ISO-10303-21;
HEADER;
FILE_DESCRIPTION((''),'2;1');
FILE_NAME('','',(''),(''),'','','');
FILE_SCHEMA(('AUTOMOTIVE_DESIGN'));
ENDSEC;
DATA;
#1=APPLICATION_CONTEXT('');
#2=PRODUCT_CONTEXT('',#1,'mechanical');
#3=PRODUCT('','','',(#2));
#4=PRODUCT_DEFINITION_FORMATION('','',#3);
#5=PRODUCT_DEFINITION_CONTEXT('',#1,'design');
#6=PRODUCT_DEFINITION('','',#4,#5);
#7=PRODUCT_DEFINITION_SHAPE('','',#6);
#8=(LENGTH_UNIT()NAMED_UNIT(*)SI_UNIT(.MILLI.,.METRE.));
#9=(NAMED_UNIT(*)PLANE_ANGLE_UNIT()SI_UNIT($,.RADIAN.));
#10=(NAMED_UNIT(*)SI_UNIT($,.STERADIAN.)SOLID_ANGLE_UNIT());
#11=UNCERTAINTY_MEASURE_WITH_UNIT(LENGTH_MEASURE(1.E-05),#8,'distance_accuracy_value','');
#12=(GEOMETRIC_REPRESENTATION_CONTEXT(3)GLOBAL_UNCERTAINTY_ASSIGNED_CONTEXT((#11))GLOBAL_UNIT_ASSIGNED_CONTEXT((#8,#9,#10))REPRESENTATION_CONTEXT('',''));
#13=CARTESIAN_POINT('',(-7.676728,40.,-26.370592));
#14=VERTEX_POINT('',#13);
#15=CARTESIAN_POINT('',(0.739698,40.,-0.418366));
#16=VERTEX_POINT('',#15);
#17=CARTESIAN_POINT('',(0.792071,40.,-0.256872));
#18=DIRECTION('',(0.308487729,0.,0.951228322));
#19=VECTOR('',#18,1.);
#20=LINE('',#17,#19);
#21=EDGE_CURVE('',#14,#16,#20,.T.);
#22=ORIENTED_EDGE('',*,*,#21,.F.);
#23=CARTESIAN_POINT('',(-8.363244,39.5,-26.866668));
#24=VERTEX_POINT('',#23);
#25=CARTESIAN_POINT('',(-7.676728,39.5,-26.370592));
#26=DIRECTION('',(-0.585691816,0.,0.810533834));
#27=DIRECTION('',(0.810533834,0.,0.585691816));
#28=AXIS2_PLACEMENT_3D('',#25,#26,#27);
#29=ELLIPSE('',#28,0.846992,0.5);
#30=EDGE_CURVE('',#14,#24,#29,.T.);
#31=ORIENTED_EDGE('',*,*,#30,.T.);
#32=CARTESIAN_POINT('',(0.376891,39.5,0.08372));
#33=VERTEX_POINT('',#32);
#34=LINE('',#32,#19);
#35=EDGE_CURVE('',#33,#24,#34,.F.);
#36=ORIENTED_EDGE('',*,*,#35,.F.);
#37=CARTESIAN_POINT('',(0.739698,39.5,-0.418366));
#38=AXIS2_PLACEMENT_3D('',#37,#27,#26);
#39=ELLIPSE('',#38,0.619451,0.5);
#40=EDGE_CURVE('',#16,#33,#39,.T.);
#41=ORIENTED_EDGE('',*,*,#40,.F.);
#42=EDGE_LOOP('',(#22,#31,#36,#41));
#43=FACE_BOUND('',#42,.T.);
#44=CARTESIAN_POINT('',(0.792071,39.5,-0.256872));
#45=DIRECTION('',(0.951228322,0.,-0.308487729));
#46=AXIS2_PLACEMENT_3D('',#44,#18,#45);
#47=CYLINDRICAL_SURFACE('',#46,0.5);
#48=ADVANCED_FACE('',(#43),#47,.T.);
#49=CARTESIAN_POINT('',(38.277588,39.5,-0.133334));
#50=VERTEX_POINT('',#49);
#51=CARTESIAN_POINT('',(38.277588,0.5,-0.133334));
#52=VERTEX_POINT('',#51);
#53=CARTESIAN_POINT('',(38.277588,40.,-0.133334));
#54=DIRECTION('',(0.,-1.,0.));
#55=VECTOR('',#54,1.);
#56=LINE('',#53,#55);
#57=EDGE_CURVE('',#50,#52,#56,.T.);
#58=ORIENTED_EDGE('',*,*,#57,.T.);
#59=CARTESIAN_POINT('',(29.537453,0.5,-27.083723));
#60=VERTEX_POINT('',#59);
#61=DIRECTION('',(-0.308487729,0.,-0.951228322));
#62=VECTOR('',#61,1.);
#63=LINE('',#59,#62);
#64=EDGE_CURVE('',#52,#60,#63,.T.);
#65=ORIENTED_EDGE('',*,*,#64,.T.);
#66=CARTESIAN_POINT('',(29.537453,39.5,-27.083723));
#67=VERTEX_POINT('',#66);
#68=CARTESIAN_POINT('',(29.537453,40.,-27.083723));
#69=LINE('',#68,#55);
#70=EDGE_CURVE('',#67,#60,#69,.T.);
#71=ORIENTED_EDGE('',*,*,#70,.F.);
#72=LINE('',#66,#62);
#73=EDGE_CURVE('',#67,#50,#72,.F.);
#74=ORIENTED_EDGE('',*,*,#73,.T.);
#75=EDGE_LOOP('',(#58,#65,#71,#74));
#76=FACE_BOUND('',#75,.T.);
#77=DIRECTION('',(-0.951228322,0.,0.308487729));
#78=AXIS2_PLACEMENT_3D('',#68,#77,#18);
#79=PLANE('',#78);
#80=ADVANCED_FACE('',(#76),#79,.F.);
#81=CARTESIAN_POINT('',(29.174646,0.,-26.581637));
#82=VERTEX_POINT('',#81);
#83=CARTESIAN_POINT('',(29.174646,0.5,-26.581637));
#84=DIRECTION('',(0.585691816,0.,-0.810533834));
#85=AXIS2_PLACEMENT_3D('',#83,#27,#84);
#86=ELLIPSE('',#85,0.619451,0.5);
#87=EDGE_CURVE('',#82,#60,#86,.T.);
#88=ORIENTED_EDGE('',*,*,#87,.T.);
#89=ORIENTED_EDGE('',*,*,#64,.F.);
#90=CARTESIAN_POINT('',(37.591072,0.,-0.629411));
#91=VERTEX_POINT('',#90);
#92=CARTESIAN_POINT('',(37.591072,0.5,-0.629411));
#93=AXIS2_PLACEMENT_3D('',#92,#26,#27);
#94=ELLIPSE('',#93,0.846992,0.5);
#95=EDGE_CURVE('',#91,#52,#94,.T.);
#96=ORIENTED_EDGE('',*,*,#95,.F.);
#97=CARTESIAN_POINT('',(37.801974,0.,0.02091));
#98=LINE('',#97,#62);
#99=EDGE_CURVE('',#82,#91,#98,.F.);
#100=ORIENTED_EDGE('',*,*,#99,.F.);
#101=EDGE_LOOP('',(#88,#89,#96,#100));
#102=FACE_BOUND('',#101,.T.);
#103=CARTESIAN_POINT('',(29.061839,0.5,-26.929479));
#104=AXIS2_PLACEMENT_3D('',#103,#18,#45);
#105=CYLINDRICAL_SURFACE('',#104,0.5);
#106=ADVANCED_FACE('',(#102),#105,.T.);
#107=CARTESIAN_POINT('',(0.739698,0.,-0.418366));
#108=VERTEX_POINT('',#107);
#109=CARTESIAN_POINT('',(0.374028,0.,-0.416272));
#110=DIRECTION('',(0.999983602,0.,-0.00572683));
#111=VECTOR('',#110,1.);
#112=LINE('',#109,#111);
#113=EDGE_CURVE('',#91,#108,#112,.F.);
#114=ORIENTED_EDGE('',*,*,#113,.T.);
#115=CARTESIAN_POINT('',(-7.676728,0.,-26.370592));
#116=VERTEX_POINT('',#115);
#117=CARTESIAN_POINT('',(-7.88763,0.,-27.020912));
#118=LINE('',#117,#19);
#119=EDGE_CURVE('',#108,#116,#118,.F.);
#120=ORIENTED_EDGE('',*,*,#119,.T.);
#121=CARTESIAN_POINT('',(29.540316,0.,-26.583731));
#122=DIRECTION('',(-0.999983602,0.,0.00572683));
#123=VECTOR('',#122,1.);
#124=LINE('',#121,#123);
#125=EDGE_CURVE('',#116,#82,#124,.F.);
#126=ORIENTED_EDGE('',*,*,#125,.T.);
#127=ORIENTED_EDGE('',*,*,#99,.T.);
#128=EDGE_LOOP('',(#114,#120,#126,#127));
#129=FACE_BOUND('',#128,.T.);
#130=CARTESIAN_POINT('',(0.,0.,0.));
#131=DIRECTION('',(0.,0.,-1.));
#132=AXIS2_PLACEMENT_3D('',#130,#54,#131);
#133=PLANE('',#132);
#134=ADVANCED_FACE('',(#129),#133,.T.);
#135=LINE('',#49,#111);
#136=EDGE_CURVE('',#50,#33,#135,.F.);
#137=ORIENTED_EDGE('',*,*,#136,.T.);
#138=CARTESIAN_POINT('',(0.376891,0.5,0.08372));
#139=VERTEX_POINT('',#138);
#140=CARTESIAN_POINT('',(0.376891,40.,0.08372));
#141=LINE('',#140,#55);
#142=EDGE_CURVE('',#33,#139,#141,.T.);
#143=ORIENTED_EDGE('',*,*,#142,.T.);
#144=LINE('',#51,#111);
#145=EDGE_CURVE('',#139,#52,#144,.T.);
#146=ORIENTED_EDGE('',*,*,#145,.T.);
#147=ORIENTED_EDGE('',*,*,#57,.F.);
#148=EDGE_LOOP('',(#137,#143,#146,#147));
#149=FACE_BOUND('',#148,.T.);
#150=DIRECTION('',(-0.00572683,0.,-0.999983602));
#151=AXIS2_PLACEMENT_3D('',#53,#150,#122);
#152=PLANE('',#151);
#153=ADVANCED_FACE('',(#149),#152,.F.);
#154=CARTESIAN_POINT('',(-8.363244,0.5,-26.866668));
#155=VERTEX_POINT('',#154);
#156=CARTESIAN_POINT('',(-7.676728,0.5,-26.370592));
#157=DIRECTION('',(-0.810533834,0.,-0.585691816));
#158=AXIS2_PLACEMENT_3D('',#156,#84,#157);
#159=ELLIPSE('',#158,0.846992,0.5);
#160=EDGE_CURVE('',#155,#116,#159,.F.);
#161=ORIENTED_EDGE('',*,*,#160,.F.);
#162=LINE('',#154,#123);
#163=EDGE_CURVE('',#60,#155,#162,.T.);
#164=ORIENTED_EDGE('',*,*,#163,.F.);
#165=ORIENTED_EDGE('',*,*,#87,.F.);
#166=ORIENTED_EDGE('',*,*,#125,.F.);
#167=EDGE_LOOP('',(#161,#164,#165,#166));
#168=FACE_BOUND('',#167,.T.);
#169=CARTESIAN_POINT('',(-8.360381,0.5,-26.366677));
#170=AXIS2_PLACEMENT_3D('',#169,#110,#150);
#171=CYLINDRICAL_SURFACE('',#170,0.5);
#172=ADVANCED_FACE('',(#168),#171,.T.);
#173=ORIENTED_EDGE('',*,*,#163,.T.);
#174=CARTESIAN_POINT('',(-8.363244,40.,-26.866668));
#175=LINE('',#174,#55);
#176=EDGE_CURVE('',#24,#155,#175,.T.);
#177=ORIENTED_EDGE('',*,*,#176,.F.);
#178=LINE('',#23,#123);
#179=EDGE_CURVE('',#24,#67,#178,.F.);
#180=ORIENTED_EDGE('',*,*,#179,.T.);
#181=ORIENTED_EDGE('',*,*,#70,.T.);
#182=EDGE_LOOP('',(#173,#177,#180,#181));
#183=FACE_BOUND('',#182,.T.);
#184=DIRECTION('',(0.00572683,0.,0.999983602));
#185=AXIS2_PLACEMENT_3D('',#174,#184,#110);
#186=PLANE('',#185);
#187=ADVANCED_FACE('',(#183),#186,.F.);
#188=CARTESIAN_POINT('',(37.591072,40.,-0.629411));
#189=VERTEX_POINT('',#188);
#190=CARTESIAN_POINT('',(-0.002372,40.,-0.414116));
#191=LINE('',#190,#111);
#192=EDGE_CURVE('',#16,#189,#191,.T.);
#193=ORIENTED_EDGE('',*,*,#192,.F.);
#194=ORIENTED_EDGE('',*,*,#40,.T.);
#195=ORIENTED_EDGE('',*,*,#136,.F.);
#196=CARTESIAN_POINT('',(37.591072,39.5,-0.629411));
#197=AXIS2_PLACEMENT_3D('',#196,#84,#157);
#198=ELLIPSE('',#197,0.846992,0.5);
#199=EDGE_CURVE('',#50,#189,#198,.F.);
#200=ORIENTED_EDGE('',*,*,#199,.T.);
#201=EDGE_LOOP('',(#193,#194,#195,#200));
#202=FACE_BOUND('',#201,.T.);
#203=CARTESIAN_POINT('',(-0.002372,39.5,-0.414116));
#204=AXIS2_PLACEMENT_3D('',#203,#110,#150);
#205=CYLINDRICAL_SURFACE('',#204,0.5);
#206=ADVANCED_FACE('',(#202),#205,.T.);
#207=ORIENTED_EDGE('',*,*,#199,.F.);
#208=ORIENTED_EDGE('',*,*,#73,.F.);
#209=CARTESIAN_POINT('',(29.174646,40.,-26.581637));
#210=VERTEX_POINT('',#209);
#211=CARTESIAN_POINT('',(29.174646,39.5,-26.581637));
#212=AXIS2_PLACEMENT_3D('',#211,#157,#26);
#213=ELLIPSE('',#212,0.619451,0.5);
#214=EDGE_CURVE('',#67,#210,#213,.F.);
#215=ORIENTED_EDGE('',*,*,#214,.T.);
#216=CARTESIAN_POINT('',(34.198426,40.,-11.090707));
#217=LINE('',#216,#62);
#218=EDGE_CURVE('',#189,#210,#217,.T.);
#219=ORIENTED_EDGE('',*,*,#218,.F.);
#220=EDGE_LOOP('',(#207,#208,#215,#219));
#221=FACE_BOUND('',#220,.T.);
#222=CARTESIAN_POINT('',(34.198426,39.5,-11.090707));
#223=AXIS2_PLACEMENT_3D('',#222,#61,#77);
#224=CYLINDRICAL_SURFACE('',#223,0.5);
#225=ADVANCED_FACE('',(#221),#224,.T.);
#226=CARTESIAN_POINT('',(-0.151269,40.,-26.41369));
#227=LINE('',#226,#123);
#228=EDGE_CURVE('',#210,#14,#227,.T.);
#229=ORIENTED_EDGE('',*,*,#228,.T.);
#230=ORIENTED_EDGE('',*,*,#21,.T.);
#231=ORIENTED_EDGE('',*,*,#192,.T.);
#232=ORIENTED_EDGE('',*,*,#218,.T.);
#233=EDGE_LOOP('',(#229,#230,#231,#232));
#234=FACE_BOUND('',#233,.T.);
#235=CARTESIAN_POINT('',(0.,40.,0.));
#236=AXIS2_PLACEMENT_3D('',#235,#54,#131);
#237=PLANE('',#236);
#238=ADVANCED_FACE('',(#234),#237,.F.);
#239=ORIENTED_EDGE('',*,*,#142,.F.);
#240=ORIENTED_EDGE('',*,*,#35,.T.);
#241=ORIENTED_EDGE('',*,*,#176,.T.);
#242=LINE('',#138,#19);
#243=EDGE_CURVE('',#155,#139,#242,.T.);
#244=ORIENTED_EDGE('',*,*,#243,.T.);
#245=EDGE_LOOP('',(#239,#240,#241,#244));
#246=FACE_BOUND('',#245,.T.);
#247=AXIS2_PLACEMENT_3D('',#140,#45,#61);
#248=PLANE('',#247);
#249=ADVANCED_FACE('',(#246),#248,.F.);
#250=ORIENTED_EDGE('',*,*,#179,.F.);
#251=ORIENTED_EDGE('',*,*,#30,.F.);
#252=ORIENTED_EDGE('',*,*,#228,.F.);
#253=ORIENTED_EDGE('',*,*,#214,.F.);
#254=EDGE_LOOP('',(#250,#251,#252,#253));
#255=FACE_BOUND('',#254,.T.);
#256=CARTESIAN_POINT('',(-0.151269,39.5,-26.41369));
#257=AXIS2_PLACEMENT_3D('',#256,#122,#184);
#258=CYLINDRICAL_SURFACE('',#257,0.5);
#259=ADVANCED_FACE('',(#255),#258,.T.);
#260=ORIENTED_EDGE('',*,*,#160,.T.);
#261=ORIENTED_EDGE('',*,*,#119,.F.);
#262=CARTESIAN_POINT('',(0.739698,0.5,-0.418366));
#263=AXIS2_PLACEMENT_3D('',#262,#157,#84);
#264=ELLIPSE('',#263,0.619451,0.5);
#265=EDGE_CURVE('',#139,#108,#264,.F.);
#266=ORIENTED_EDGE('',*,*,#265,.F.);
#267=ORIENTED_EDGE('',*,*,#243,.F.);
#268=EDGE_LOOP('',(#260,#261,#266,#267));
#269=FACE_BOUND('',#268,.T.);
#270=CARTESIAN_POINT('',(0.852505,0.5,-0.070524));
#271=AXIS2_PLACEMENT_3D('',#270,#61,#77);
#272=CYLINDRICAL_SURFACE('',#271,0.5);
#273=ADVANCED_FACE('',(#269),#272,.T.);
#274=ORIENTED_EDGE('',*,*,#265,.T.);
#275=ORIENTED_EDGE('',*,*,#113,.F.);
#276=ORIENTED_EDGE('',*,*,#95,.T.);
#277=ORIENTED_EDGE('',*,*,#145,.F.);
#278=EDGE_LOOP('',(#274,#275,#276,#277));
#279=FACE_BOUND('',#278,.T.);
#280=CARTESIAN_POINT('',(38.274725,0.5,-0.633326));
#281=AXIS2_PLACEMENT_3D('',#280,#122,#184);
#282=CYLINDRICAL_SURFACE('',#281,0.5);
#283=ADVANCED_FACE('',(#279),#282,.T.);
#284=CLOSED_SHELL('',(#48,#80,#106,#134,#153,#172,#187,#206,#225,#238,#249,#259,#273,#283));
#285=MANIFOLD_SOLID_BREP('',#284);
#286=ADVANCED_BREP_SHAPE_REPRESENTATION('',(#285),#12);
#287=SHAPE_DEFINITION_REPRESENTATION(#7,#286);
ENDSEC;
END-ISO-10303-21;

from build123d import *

# Parameters (mm, degrees)
BOSS_EXTRUDE1_DEPTH = 40
FILLET1_R           = 0.5


with BuildPart() as part:
    # Sketch1 → Boss-Extrude1 (new body)
    with BuildSketch(Plane(origin=(0, 0, 0), x_dir=(-1, 0, 0), z_dir=(0, 1, 0))):
        Polygon((-0.376890979, 0.083720177), (8.363244284, -26.866668495), (-29.537452899, -27.083722916), (-38.277588162, -0.133334243), align=None)
    extrude(amount=BOSS_EXTRUDE1_DEPTH)

    # Fillet1
    fillet1_edges = [part.edges().sort_by_distance(p)[0] for p in [
        (10.587104308, 40, -26.975195705),
        (-3.993176653, 40, -13.391474159),
        (19.32723957, 40, -0.024807033),
        (-3.993176653, 0, -13.391474159),
        (10.587104308, 0, -26.975195705),
        (33.907520531, 0, -13.608528579),
        (19.32723957, 0, -0.024807033),
        (33.907520531, 40, -13.608528579),
    ]]
    fillet(fillet1_edges, radius=FILLET1_R)


solid = part.part
